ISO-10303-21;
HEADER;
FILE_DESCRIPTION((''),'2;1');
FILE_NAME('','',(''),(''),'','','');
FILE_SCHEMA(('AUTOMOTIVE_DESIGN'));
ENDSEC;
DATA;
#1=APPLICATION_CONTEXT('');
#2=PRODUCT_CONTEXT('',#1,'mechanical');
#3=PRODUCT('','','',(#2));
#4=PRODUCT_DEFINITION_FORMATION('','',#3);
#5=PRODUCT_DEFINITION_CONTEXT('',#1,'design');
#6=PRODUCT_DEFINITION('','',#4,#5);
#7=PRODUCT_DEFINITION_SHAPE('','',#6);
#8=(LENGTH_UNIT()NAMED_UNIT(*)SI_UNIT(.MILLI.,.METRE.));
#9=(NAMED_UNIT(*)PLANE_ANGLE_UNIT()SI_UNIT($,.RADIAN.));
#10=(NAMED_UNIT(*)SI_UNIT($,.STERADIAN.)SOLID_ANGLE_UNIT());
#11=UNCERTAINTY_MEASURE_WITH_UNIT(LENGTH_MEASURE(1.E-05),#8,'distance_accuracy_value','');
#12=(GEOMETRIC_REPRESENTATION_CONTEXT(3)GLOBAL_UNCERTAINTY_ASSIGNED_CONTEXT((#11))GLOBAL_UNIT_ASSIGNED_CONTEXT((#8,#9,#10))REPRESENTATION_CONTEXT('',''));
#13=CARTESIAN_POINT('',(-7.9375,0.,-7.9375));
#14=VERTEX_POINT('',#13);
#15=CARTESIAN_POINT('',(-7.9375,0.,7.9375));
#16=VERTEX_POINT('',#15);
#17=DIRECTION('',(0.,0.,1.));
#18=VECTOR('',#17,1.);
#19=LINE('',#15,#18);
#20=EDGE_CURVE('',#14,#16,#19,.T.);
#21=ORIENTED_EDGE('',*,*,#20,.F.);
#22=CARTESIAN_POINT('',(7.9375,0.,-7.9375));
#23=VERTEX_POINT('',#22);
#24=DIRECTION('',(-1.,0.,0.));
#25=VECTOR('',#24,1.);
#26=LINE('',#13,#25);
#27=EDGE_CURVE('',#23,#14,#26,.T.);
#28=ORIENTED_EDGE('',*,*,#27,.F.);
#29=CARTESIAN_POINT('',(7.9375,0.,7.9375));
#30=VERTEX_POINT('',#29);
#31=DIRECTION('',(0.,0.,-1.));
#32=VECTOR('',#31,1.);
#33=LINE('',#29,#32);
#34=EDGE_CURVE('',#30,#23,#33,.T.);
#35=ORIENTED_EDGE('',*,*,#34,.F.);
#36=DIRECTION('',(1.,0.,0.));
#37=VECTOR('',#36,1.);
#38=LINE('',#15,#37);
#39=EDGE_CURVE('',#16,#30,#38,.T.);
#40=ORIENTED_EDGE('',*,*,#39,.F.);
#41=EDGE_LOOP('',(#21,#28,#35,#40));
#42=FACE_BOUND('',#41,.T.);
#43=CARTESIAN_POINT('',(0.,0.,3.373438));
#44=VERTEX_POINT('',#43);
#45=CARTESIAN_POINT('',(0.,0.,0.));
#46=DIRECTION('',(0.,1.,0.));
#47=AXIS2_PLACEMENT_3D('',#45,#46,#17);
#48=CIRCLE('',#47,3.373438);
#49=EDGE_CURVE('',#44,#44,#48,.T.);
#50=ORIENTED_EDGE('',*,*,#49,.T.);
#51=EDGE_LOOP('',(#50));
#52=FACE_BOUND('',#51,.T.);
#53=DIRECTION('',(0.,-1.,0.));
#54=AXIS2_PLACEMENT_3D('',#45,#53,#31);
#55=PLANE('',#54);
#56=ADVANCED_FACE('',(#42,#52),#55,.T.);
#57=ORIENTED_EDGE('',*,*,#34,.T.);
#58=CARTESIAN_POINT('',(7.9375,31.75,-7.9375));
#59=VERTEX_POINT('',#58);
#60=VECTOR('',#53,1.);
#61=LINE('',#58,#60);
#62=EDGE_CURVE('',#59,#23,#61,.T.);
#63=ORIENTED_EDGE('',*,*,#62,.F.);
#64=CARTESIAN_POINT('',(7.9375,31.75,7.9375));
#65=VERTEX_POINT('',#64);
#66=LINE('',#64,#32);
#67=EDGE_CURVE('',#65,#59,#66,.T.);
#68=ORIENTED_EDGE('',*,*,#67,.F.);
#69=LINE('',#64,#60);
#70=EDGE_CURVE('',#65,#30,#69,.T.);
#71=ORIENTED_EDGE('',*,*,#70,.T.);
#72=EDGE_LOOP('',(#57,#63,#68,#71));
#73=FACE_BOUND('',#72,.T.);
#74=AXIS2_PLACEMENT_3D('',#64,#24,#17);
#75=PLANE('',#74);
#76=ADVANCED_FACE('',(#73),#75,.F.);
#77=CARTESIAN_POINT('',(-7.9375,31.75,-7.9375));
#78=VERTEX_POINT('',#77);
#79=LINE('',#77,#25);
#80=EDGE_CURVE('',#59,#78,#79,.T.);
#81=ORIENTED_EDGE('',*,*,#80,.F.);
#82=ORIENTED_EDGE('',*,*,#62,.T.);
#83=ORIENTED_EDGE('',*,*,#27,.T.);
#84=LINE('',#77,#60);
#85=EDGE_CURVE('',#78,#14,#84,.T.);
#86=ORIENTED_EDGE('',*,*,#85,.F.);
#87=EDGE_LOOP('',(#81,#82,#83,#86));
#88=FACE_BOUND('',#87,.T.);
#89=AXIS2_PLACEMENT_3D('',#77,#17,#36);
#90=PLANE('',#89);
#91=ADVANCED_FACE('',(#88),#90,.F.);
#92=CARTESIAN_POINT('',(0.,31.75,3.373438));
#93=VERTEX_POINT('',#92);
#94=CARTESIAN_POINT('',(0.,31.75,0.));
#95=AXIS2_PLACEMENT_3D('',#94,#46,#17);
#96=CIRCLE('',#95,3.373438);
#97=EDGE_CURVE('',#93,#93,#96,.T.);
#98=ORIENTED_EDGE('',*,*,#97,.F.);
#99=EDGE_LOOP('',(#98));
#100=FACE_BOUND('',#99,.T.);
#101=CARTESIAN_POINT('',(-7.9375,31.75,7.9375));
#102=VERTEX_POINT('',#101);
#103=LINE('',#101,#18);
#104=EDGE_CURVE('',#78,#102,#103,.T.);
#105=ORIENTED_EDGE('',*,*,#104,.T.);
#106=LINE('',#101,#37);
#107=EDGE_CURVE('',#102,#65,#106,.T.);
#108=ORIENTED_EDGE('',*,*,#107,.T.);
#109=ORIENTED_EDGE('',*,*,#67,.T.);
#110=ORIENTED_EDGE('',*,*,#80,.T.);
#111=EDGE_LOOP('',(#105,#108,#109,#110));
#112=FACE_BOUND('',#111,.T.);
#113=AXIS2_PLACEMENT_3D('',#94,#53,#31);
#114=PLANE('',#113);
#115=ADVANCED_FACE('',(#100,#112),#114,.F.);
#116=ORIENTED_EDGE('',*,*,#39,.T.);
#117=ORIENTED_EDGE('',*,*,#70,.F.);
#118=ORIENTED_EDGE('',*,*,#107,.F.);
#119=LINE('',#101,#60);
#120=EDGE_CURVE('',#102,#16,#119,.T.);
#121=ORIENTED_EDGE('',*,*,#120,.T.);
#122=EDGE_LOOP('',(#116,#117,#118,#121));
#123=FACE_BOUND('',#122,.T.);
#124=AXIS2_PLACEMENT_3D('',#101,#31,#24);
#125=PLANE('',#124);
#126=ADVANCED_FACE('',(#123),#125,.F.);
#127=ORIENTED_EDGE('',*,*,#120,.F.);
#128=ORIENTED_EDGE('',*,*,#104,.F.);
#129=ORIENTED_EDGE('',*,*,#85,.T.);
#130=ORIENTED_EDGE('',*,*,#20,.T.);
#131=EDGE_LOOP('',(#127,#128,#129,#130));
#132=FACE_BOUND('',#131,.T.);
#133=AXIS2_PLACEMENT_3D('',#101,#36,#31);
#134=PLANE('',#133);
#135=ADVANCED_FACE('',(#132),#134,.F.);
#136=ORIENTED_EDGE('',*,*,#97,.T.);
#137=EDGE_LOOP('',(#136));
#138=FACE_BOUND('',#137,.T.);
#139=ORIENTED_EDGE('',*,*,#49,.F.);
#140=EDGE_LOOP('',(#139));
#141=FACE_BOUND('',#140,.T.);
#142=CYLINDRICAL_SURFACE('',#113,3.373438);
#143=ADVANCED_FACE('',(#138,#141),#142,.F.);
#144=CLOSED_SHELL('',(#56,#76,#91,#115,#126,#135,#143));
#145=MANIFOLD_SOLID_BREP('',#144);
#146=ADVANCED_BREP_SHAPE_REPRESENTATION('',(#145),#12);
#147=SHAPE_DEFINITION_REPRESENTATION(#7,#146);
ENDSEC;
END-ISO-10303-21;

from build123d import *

# Parameters (mm, degrees)
SKETCH1_W           = 15.875
SKETCH1_H           = 15.875
SKETCH1_R           = 3.3734375
BOSS_EXTRUDE1_DEPTH = 31.75


with BuildPart() as part:
    # Sketch1 → Boss-Extrude1 (new body)
    with BuildSketch(Plane(origin=(0, 0, 0), x_dir=(1, 0, 0), z_dir=(0, 1, 0))):
        Rectangle(SKETCH1_W, SKETCH1_H)
        with Locations(Location((0, 0, 0), (0, 0, 270))):
            Circle(SKETCH1_R, mode=Mode.SUBTRACT)
    extrude(amount=BOSS_EXTRUDE1_DEPTH)


solid = part.part
